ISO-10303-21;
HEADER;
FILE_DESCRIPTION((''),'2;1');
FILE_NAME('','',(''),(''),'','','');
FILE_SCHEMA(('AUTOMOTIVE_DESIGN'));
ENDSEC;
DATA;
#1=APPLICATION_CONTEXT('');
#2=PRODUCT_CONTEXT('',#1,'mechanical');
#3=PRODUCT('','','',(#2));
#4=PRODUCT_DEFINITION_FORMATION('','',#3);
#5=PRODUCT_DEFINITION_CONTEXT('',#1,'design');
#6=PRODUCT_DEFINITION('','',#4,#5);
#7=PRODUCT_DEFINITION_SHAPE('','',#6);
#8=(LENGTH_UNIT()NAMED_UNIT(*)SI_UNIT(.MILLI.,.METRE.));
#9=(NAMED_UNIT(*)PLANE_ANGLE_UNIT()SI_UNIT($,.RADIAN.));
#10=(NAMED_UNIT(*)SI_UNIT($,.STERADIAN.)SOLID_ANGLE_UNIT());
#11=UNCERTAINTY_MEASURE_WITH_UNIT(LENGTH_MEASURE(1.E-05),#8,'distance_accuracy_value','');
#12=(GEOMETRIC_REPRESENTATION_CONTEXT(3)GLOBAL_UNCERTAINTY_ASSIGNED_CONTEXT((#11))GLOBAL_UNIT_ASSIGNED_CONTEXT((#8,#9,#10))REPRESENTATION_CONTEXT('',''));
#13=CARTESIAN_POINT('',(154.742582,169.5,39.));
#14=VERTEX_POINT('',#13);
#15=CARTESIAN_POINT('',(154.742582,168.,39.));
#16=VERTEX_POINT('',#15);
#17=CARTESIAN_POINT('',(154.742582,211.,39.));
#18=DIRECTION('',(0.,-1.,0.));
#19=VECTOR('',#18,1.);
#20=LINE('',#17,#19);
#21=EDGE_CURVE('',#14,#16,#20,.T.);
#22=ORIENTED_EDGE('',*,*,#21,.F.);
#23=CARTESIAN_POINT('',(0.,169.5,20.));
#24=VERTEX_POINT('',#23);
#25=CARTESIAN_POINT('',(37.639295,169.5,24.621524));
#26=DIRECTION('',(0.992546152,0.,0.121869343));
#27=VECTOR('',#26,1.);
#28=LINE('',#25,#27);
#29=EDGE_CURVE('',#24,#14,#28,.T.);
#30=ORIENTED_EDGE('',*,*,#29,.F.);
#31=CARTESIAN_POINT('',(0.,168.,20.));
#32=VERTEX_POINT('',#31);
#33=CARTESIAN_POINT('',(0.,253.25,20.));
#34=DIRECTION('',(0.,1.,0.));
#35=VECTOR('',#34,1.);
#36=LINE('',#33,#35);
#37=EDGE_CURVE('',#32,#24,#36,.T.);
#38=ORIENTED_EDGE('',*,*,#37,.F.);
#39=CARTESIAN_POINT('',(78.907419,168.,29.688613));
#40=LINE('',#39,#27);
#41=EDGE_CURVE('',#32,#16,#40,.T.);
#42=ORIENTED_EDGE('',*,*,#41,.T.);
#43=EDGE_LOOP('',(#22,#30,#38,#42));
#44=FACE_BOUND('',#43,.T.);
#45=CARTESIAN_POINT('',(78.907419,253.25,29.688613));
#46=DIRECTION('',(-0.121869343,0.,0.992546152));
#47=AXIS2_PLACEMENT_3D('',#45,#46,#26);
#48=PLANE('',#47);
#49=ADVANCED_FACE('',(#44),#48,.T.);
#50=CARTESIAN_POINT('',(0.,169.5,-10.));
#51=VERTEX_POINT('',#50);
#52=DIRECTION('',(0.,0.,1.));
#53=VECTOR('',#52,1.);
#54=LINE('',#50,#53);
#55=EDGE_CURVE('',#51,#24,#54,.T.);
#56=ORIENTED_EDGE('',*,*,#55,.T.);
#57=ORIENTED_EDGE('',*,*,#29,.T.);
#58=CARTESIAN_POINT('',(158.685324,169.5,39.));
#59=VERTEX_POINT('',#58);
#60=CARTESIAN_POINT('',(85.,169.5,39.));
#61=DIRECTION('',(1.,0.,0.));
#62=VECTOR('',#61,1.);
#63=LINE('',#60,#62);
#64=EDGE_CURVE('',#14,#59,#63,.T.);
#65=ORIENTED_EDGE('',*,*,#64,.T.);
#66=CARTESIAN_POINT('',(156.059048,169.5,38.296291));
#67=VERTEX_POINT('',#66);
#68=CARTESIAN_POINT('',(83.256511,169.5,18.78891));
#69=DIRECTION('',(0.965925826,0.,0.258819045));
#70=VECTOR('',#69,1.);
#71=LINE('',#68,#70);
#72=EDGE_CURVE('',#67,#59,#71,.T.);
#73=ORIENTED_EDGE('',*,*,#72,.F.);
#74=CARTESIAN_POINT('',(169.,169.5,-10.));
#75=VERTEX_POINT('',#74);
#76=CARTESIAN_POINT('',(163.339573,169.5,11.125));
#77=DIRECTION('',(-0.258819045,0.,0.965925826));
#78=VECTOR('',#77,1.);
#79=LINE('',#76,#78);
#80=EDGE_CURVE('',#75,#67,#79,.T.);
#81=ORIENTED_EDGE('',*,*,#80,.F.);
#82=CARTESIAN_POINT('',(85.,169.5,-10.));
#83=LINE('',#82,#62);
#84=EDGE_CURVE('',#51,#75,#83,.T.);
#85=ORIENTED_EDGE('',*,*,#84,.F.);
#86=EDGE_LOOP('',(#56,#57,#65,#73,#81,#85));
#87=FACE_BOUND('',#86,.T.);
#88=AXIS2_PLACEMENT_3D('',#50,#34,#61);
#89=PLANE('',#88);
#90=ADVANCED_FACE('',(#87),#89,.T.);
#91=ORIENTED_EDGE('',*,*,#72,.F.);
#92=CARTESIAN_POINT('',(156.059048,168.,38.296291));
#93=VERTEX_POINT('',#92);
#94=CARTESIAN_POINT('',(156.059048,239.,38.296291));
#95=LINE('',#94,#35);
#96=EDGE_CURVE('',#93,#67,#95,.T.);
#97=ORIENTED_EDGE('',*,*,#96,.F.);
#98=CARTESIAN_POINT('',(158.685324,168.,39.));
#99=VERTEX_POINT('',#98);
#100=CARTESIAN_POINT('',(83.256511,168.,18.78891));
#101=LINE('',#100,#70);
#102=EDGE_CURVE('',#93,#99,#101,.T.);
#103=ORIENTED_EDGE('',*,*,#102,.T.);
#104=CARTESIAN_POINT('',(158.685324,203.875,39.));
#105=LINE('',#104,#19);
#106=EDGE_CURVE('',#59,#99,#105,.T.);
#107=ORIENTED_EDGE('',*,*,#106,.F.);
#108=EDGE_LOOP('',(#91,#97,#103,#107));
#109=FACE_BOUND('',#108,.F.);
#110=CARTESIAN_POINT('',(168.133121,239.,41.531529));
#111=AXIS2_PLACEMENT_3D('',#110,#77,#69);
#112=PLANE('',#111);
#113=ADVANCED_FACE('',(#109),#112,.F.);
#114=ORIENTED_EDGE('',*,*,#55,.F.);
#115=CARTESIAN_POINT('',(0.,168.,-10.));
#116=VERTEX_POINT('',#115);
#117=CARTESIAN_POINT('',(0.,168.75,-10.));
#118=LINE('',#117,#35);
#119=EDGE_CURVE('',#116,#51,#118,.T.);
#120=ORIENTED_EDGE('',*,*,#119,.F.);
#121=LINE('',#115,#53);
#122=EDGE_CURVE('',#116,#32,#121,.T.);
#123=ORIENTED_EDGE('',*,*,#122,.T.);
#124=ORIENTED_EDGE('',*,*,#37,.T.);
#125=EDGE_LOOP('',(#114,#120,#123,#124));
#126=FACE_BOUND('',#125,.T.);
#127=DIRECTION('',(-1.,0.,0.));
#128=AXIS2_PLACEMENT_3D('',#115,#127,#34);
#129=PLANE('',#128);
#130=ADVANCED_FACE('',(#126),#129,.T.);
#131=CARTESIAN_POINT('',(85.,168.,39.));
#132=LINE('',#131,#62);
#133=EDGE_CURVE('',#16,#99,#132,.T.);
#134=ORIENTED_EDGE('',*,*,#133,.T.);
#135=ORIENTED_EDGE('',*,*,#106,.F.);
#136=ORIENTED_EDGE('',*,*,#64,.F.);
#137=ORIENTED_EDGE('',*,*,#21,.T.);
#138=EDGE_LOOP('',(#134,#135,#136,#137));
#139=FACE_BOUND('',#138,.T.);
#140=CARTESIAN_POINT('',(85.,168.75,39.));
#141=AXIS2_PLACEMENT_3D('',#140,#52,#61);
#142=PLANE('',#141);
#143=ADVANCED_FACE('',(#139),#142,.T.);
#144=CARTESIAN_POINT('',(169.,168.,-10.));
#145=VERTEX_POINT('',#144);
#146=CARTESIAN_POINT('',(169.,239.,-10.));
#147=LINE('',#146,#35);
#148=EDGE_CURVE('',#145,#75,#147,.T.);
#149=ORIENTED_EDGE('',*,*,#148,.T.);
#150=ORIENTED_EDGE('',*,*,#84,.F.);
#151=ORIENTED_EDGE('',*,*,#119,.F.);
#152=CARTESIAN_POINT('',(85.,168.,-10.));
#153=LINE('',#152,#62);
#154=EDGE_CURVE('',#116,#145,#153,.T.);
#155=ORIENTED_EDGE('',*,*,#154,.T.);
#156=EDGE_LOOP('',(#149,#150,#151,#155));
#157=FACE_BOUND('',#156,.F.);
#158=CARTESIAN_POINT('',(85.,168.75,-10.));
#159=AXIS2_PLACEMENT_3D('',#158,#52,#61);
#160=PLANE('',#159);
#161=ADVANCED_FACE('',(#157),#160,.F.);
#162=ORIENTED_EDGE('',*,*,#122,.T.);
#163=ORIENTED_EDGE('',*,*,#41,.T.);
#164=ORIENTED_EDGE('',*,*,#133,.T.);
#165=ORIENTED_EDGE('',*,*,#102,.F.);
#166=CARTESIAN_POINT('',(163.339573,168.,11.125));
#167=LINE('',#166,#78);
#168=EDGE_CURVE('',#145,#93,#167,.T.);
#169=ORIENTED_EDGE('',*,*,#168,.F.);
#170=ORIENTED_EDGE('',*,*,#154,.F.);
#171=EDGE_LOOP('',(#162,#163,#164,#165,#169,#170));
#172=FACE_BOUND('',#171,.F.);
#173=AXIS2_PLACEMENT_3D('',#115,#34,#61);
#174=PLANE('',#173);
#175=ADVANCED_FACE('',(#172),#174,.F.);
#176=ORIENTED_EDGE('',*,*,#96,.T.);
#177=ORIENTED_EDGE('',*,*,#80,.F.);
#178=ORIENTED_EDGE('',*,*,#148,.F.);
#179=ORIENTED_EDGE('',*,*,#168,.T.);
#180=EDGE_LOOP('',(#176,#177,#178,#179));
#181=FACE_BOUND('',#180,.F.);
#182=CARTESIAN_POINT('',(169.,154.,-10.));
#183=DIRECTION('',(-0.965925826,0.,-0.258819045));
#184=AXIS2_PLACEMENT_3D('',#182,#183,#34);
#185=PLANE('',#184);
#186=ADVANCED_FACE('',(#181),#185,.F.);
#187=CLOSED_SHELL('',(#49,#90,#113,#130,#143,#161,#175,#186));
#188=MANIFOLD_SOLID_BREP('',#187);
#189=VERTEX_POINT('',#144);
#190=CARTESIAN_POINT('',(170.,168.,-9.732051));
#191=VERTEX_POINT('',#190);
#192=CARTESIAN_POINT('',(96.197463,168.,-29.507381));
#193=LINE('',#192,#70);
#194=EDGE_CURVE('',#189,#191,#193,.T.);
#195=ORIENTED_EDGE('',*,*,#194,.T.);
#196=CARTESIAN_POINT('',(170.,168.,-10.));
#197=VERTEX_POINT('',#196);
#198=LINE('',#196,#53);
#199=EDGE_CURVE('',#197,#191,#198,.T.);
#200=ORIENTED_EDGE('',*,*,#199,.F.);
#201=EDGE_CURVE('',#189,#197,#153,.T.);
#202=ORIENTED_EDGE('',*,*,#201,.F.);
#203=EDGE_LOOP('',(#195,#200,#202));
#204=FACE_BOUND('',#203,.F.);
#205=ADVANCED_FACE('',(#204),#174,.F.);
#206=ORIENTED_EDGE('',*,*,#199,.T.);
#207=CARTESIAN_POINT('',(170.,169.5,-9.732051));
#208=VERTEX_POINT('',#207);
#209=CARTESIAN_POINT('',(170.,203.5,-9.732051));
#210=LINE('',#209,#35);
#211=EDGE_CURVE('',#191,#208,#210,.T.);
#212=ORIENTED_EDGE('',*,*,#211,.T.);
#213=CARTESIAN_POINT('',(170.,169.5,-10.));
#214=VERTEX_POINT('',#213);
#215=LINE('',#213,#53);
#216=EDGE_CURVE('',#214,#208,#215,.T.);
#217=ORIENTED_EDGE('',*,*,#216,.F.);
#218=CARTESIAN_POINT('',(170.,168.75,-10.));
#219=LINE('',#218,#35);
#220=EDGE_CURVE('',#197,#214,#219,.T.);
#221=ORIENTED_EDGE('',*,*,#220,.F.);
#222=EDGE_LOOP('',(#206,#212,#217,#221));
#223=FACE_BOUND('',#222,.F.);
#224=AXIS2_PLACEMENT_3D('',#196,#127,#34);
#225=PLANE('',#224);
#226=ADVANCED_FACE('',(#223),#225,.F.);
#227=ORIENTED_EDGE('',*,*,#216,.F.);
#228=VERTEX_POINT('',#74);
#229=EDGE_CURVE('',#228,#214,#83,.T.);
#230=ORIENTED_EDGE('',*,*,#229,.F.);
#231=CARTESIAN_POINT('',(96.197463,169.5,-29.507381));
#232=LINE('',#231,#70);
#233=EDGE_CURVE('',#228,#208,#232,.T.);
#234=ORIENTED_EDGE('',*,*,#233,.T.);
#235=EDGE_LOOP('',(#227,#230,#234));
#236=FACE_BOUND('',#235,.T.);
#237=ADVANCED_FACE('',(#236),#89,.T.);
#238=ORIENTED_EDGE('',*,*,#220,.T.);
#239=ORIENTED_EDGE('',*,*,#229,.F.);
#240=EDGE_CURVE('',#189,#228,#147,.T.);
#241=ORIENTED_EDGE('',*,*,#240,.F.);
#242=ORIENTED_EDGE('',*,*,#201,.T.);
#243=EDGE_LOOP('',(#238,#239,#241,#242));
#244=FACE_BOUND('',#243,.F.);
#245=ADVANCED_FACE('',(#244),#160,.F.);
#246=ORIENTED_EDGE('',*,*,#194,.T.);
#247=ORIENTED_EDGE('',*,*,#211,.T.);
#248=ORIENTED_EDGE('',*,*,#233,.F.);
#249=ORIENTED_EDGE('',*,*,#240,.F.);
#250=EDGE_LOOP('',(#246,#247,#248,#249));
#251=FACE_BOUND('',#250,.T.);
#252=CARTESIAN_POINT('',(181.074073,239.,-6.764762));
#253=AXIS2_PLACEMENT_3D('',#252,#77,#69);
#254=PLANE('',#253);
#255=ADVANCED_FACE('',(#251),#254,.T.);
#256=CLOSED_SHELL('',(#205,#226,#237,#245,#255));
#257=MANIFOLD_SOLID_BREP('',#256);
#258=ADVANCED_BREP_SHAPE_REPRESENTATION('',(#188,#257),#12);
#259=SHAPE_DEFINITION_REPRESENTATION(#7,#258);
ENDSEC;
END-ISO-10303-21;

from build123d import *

# Parameters (mm, degrees)
BOX027_W               = 159
BOX027_H               = 170.5
BOX027_DEPTH           = 20.5
BOX027_PLACEMENT_ANGLE = 7
BOX026_W               = 25
BOX026_H               = 170
BOX026_DEPTH           = 50
BOX026_PLACEMENT_ANGLE = 15
BOX025_W               = 170
BOX025_H               = 1.5
BOX025_DEPTH           = 49


with BuildPart() as top002:
    # Box027 → Box027 (new body)
    with BuildSketch(Plane.XY):
        with Locations((79.5, 85.25)):
            Rectangle(BOX027_W, BOX027_H)
    extrude(amount=BOX027_DEPTH)


with BuildPart() as top002_1:
    # Box027 placement: moved
    add(top002.part.moved(Location((0, 0, 20))).rotate(Axis((0, 0, 20), (0, -1, 0)), BOX027_PLACEMENT_ANGLE))


with BuildPart() as face003:
    # Box026 → Box026 (new body)
    with BuildSketch(Plane.XY):
        with Locations((12.5, 85)):
            Rectangle(BOX026_W, BOX026_H)
    extrude(amount=BOX026_DEPTH)


with BuildPart() as face003_1:
    # Box026 placement: moved
    add(face003.part.moved(Location((169, -14, -10))).rotate(Axis((169, -14, -10), (0, -1, 0)), BOX026_PLACEMENT_ANGLE))


with BuildPart() as sidewall001:
    # Box025 → Box025 (new body)
    with BuildSketch(Plane.XY.offset(-10)):
        with Locations((85, 0.75)):
            Rectangle(BOX025_W, BOX025_H)
    extrude(amount=BOX025_DEPTH)

    # Cut009: cut Face003
    add(face003_1.part, mode=Mode.SUBTRACT)

    # Cut010: cut top002
    add(top002_1.part, mode=Mode.SUBTRACT)


with BuildPart() as sidewall001_1:
    # Cut010 placement: moved
    add(sidewall001.part.moved(Location((0, 168, 0))))


solid = sidewall001_1.part
